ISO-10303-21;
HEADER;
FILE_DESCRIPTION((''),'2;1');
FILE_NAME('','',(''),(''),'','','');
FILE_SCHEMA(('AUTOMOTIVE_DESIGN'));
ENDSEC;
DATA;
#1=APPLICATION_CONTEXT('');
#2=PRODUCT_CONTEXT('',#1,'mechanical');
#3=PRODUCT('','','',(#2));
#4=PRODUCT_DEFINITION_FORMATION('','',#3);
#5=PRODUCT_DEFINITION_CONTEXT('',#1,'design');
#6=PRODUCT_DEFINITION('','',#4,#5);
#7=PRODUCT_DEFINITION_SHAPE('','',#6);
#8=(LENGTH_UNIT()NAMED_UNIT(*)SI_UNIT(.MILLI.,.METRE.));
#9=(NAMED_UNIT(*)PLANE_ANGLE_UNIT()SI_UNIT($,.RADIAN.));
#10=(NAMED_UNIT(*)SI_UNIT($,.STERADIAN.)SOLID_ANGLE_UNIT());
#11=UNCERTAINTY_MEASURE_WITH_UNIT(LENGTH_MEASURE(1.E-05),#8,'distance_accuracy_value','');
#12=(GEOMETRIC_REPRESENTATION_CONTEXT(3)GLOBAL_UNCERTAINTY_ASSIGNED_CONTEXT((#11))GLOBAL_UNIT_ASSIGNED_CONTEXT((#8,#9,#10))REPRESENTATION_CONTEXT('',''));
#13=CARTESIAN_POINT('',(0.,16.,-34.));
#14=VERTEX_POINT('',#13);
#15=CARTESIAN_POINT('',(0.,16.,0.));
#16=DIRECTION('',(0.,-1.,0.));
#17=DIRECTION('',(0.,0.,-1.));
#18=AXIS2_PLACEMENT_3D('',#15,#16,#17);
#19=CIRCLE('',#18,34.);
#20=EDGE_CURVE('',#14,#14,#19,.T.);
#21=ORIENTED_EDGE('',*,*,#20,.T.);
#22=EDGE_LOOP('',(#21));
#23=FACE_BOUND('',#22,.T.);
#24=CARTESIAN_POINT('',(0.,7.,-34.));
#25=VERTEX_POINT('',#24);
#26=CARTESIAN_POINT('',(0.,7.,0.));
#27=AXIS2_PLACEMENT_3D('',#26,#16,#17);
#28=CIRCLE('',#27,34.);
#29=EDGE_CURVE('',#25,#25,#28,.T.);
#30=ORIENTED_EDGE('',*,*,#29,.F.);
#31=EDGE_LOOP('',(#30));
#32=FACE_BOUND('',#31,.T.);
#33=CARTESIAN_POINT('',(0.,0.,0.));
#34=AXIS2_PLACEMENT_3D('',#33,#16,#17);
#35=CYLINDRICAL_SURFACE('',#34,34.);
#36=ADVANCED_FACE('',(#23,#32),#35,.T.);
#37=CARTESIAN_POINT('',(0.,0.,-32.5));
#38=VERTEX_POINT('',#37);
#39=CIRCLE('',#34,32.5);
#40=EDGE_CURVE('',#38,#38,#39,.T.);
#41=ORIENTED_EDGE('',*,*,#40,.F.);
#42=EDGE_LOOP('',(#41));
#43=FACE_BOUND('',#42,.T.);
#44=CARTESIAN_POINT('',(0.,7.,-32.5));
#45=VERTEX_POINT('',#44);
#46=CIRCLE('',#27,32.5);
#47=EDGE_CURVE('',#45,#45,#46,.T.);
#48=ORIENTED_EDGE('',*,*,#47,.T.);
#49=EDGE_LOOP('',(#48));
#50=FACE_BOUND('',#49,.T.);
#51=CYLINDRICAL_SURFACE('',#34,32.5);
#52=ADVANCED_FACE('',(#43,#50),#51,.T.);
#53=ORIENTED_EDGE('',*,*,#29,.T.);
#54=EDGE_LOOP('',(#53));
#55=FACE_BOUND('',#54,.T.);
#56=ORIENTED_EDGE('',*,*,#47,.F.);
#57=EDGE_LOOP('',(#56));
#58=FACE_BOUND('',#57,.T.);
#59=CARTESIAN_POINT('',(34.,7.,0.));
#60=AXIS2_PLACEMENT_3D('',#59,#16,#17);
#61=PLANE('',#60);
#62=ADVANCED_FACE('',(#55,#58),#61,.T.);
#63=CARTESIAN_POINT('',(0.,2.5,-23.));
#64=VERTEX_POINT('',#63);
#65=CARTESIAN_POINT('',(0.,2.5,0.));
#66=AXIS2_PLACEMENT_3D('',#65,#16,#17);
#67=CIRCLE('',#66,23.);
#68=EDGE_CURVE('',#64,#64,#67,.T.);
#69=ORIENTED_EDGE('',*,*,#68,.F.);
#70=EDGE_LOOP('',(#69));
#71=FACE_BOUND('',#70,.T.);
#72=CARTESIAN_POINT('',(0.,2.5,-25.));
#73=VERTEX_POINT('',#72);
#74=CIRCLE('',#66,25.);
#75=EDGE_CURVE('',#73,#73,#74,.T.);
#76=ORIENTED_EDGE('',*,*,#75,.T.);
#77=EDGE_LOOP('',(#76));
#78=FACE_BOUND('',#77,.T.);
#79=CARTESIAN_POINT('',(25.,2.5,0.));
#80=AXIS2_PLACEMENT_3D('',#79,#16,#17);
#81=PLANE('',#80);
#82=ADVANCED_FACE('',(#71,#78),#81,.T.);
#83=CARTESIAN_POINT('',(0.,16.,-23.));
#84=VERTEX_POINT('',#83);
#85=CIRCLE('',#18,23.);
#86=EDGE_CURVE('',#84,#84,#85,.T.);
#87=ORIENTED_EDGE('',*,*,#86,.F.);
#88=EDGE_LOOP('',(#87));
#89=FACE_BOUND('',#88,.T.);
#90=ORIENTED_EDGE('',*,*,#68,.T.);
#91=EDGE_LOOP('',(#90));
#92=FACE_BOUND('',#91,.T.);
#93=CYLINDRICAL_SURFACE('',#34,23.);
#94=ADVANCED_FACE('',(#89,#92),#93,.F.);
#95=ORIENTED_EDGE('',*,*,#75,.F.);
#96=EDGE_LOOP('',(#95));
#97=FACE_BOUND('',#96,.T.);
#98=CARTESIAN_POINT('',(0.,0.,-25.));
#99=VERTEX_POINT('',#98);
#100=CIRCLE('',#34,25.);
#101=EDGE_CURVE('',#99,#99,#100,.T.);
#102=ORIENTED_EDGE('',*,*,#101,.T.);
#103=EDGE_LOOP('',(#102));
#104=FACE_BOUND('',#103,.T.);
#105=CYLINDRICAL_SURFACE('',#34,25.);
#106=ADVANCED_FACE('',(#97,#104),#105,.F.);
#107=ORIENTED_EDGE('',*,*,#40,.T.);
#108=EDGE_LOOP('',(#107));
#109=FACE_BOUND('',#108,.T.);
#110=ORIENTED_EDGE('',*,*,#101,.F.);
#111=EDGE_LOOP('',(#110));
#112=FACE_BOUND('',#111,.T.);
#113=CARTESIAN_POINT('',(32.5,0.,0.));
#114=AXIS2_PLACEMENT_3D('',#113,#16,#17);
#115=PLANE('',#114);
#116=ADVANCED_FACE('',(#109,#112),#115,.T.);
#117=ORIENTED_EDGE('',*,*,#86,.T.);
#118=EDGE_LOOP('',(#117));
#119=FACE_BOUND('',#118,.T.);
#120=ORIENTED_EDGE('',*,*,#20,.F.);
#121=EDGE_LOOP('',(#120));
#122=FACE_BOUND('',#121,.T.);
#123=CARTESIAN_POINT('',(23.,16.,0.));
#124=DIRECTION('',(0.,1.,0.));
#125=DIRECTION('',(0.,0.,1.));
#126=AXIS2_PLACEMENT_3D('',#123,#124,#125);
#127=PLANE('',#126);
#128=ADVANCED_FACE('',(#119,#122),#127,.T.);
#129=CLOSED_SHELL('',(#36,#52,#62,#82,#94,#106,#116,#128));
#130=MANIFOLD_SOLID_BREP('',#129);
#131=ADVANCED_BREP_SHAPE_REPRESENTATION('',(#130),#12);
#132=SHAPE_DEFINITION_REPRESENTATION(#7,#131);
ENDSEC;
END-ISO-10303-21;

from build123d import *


with BuildPart() as part:
    # Sketch2 → Revolve1 (revolve)
    with BuildSketch(Plane.XY, mode=Mode.PRIVATE) as revolve1_sk:
        Polygon((23, 2.5), (23, 16), (34, 16), (34, 7), (32.5, 7), (32.5, 0), (25, 0), (25, 2.5), align=None)
    revolve(revolve1_sk.sketch.rotate(Axis((0, 0, 0), (0, 1, 0)), 90), axis=Axis((0, 0, 0), (0, 1, 0)))


solid = part.part
